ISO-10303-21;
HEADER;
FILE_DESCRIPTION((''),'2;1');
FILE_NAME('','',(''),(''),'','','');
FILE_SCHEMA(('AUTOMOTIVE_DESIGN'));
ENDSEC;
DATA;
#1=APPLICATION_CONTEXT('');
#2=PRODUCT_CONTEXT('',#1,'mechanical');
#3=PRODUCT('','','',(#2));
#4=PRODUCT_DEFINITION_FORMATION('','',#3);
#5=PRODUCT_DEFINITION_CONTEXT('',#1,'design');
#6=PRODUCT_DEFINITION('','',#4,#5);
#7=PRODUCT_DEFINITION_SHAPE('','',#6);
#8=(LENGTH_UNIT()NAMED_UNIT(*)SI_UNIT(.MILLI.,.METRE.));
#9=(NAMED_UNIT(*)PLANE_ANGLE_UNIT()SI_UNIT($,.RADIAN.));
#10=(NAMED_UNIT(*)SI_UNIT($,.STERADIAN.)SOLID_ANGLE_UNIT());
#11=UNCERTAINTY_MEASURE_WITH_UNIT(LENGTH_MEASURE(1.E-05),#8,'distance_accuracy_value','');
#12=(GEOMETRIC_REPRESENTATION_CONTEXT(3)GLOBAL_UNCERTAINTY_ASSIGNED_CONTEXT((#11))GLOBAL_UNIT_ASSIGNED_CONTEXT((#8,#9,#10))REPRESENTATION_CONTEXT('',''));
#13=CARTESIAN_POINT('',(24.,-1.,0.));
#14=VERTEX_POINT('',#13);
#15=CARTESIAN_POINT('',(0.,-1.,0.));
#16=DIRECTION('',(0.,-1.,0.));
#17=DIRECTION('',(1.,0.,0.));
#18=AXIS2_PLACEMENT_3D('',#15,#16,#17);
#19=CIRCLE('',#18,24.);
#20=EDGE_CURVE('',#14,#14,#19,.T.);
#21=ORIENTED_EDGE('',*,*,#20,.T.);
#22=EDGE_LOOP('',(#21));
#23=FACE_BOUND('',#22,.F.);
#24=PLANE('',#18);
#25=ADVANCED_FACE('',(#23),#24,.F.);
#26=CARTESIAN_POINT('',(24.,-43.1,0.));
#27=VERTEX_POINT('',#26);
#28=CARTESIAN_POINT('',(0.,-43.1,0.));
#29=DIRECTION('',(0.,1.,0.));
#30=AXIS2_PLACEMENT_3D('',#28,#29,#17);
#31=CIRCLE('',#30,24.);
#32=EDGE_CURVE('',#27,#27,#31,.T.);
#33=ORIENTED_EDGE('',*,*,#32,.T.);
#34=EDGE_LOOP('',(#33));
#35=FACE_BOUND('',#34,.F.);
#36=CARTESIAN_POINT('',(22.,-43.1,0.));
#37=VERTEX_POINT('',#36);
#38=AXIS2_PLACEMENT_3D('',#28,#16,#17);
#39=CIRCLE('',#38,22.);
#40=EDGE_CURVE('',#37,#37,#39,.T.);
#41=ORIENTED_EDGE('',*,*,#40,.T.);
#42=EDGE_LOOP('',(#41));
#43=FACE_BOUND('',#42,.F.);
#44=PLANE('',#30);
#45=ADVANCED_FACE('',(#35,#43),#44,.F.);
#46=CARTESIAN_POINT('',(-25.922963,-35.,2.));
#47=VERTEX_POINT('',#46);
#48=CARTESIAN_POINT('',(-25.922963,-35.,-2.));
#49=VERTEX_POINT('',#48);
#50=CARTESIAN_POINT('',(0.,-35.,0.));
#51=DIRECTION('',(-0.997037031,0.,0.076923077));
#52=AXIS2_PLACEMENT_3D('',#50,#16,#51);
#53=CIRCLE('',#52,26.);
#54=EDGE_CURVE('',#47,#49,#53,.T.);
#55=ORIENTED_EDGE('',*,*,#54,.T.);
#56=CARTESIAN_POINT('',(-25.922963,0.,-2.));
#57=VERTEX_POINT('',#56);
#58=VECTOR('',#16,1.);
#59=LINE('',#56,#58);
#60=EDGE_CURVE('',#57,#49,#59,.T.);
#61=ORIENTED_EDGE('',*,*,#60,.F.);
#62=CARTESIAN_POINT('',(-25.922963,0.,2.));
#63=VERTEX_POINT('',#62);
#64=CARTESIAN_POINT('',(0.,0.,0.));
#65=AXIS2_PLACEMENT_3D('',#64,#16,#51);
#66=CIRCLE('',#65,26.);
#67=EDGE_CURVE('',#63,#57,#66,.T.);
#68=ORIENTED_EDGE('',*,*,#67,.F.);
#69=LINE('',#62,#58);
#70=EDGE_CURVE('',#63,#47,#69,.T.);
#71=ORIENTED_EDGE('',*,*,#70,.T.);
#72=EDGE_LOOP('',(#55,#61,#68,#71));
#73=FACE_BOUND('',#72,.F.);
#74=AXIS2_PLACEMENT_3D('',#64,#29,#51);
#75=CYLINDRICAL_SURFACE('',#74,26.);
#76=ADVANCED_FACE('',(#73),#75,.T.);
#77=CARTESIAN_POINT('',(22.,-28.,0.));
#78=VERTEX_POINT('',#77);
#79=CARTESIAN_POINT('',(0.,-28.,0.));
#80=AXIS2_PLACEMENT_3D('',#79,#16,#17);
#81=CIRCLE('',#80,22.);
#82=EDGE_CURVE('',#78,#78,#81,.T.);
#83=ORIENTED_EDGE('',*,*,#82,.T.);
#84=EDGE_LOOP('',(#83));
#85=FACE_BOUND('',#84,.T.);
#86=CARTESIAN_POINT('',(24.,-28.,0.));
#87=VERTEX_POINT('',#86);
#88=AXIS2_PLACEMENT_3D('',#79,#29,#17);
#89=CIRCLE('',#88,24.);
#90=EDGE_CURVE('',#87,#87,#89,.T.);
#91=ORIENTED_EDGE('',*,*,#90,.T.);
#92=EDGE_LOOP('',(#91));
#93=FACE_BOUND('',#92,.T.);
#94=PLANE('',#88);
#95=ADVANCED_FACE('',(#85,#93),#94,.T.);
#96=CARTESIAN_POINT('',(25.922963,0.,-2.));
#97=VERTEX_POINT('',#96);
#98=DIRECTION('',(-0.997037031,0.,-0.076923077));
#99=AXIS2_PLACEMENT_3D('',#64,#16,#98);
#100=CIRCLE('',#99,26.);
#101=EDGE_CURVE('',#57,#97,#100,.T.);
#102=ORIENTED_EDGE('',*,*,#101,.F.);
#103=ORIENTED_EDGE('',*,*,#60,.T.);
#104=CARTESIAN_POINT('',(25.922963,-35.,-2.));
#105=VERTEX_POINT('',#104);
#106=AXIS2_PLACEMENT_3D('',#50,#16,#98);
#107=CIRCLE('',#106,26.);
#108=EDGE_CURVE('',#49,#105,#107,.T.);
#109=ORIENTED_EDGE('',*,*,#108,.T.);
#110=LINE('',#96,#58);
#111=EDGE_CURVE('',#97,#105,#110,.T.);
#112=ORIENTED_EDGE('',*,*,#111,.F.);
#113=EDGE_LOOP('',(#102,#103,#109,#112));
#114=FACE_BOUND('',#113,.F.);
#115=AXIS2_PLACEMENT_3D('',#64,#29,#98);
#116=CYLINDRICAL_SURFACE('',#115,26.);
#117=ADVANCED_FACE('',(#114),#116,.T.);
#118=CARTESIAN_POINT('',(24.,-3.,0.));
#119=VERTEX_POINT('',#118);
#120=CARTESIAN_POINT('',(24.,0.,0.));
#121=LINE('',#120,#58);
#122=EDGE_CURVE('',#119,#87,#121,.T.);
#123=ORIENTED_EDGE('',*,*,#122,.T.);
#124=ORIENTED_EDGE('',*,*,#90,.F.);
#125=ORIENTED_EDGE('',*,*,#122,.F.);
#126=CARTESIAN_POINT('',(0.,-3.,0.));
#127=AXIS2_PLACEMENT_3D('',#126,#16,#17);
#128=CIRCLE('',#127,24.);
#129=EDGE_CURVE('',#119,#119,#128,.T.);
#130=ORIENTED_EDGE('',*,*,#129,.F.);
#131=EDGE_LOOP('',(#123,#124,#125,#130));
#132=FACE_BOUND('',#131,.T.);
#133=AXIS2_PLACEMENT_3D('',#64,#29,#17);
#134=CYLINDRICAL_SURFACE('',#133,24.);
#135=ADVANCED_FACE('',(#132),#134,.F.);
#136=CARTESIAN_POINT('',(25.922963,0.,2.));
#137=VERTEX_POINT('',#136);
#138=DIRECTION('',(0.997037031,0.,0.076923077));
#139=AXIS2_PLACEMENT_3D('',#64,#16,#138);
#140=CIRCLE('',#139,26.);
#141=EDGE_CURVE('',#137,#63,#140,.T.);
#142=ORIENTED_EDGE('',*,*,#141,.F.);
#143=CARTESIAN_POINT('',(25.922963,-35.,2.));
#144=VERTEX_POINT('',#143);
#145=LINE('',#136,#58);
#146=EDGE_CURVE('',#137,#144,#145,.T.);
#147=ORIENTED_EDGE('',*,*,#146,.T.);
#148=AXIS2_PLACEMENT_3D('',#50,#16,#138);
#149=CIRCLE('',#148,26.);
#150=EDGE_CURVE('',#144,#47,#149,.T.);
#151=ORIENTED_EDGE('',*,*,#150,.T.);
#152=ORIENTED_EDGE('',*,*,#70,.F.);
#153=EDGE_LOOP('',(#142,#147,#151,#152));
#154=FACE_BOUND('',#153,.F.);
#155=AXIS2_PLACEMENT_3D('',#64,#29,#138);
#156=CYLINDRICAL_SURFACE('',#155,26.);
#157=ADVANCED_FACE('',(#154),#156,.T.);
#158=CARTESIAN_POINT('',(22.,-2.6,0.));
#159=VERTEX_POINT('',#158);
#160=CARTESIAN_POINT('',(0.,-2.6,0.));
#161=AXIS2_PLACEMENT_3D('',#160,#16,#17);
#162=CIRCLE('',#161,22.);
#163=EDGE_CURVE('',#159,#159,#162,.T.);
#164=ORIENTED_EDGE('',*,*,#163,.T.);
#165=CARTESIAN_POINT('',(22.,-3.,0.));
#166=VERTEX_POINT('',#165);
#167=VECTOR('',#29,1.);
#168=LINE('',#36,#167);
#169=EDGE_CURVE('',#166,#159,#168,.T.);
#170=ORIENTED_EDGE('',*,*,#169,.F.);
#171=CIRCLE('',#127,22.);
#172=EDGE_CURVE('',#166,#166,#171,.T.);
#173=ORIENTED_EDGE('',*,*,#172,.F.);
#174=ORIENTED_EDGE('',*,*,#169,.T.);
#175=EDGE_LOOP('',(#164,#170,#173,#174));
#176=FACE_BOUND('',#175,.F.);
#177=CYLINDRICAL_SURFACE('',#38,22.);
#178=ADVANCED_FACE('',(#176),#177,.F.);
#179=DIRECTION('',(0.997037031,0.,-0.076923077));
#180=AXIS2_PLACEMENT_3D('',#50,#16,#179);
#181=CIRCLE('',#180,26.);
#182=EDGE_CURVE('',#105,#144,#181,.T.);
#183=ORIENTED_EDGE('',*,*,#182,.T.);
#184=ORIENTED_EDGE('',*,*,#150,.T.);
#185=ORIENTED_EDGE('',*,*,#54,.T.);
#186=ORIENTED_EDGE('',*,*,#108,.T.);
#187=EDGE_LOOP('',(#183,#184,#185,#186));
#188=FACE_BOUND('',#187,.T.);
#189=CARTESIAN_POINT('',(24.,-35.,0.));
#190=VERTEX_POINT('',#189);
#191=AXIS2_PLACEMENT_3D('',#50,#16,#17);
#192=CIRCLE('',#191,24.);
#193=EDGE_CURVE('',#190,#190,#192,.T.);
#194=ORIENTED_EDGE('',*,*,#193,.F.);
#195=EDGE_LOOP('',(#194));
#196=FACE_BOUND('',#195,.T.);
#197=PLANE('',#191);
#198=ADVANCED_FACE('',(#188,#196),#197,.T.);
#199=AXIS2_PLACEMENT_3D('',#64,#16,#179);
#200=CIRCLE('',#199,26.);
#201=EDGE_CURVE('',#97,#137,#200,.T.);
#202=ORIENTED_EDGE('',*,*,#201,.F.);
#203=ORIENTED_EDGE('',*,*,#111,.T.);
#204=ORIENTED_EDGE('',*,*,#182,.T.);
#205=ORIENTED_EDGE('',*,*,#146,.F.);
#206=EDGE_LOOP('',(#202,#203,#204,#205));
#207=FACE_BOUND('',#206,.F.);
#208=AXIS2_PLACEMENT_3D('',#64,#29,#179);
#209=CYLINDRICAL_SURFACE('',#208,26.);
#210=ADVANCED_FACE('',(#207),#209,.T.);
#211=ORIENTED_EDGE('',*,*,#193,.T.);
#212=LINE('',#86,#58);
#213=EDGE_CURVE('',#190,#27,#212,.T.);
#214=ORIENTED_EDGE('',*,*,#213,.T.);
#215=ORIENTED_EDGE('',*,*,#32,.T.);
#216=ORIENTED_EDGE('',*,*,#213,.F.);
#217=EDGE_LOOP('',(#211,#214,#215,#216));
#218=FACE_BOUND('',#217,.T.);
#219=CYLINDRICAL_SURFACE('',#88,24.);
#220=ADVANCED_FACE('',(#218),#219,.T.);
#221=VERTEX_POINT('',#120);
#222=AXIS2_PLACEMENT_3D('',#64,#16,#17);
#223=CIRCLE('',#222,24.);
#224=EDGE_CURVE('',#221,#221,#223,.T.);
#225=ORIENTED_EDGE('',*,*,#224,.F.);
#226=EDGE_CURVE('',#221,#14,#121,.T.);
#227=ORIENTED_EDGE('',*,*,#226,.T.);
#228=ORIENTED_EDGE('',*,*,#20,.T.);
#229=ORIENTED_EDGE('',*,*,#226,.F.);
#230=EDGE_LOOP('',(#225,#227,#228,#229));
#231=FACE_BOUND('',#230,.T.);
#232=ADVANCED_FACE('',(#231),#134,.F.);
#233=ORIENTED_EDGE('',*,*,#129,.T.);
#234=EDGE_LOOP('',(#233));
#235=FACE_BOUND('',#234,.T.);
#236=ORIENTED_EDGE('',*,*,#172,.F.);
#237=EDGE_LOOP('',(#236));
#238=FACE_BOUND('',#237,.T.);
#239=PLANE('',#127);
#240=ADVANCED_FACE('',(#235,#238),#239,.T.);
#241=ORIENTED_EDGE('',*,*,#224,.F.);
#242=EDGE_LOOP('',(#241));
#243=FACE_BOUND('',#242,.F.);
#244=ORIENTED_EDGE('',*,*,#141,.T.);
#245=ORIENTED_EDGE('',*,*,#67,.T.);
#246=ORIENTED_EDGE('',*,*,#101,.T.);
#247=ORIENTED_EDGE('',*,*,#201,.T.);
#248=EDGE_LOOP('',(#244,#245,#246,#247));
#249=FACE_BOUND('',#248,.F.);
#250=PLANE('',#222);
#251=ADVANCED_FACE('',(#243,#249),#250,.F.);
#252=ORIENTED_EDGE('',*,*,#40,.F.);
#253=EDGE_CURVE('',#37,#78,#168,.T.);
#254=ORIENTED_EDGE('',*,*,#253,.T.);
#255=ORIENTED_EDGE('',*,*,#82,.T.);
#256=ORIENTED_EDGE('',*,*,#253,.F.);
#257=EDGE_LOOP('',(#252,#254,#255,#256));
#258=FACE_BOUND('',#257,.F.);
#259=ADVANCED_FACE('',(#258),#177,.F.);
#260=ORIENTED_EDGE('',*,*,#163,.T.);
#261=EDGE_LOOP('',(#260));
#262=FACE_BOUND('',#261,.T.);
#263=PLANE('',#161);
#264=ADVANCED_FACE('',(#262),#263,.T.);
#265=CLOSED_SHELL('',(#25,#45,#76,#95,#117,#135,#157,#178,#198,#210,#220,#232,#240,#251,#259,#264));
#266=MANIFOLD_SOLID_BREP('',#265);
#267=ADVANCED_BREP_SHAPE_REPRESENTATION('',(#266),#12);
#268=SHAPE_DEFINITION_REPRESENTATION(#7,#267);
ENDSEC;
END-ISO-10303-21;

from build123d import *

# Parameters (mm, degrees)
F0_R      = 24
F1_DEPTH  = 35
F2_START  = 1
F0_R_2    = 22
F2_DEPTH  = 2
F3_START  = -27
F2_FACE_R = 24
F3_DEPTH  = 15.1
F4_R      = 22
F5_DEPTH  = 40.5


with BuildPart() as f1:
    # F0 (on Front) → F1 (new body)
    with BuildSketch(Plane.XZ):
        with BuildLine():
            ThreePointArc((-25.9229627936, 2), (-26, 0), (-25.9229627936, -2))
            ThreePointArc((-25.9229627936, -2), (0, -26), (25.9229627936, -2))
            ThreePointArc((25.9229627936, -2), (26, 0), (25.9229627936, 2))
            ThreePointArc((25.9229627936, 2), (0, 26), (-25.9229627936, 2))
        make_face()
        Circle(F0_R, mode=Mode.SUBTRACT)
    extrude(amount=F1_DEPTH)

    # F0 (on Front) → F2 (join)
    with BuildSketch(Plane.XZ.offset(F2_START)):
        Circle(F0_R)
        Circle(F0_R_2, mode=Mode.SUBTRACT)
        Circle(F0_R_2)
    extrude(amount=F2_DEPTH)

    # F2_face (on face) → F3 (join)
    with BuildSketch(Plane(origin=(0, -1, 0), x_dir=(1, 0, 0), z_dir=(0, 1, 0)).offset(F3_START)):
        Circle(F2_FACE_R)
    extrude(amount=-F3_DEPTH)

    # F4 (on face) → F5 (cut)
    with BuildSketch(Plane.XZ.offset(43.1)):
        Circle(F4_R)
    extrude(amount=-F5_DEPTH, mode=Mode.SUBTRACT)


solid = f1.part
